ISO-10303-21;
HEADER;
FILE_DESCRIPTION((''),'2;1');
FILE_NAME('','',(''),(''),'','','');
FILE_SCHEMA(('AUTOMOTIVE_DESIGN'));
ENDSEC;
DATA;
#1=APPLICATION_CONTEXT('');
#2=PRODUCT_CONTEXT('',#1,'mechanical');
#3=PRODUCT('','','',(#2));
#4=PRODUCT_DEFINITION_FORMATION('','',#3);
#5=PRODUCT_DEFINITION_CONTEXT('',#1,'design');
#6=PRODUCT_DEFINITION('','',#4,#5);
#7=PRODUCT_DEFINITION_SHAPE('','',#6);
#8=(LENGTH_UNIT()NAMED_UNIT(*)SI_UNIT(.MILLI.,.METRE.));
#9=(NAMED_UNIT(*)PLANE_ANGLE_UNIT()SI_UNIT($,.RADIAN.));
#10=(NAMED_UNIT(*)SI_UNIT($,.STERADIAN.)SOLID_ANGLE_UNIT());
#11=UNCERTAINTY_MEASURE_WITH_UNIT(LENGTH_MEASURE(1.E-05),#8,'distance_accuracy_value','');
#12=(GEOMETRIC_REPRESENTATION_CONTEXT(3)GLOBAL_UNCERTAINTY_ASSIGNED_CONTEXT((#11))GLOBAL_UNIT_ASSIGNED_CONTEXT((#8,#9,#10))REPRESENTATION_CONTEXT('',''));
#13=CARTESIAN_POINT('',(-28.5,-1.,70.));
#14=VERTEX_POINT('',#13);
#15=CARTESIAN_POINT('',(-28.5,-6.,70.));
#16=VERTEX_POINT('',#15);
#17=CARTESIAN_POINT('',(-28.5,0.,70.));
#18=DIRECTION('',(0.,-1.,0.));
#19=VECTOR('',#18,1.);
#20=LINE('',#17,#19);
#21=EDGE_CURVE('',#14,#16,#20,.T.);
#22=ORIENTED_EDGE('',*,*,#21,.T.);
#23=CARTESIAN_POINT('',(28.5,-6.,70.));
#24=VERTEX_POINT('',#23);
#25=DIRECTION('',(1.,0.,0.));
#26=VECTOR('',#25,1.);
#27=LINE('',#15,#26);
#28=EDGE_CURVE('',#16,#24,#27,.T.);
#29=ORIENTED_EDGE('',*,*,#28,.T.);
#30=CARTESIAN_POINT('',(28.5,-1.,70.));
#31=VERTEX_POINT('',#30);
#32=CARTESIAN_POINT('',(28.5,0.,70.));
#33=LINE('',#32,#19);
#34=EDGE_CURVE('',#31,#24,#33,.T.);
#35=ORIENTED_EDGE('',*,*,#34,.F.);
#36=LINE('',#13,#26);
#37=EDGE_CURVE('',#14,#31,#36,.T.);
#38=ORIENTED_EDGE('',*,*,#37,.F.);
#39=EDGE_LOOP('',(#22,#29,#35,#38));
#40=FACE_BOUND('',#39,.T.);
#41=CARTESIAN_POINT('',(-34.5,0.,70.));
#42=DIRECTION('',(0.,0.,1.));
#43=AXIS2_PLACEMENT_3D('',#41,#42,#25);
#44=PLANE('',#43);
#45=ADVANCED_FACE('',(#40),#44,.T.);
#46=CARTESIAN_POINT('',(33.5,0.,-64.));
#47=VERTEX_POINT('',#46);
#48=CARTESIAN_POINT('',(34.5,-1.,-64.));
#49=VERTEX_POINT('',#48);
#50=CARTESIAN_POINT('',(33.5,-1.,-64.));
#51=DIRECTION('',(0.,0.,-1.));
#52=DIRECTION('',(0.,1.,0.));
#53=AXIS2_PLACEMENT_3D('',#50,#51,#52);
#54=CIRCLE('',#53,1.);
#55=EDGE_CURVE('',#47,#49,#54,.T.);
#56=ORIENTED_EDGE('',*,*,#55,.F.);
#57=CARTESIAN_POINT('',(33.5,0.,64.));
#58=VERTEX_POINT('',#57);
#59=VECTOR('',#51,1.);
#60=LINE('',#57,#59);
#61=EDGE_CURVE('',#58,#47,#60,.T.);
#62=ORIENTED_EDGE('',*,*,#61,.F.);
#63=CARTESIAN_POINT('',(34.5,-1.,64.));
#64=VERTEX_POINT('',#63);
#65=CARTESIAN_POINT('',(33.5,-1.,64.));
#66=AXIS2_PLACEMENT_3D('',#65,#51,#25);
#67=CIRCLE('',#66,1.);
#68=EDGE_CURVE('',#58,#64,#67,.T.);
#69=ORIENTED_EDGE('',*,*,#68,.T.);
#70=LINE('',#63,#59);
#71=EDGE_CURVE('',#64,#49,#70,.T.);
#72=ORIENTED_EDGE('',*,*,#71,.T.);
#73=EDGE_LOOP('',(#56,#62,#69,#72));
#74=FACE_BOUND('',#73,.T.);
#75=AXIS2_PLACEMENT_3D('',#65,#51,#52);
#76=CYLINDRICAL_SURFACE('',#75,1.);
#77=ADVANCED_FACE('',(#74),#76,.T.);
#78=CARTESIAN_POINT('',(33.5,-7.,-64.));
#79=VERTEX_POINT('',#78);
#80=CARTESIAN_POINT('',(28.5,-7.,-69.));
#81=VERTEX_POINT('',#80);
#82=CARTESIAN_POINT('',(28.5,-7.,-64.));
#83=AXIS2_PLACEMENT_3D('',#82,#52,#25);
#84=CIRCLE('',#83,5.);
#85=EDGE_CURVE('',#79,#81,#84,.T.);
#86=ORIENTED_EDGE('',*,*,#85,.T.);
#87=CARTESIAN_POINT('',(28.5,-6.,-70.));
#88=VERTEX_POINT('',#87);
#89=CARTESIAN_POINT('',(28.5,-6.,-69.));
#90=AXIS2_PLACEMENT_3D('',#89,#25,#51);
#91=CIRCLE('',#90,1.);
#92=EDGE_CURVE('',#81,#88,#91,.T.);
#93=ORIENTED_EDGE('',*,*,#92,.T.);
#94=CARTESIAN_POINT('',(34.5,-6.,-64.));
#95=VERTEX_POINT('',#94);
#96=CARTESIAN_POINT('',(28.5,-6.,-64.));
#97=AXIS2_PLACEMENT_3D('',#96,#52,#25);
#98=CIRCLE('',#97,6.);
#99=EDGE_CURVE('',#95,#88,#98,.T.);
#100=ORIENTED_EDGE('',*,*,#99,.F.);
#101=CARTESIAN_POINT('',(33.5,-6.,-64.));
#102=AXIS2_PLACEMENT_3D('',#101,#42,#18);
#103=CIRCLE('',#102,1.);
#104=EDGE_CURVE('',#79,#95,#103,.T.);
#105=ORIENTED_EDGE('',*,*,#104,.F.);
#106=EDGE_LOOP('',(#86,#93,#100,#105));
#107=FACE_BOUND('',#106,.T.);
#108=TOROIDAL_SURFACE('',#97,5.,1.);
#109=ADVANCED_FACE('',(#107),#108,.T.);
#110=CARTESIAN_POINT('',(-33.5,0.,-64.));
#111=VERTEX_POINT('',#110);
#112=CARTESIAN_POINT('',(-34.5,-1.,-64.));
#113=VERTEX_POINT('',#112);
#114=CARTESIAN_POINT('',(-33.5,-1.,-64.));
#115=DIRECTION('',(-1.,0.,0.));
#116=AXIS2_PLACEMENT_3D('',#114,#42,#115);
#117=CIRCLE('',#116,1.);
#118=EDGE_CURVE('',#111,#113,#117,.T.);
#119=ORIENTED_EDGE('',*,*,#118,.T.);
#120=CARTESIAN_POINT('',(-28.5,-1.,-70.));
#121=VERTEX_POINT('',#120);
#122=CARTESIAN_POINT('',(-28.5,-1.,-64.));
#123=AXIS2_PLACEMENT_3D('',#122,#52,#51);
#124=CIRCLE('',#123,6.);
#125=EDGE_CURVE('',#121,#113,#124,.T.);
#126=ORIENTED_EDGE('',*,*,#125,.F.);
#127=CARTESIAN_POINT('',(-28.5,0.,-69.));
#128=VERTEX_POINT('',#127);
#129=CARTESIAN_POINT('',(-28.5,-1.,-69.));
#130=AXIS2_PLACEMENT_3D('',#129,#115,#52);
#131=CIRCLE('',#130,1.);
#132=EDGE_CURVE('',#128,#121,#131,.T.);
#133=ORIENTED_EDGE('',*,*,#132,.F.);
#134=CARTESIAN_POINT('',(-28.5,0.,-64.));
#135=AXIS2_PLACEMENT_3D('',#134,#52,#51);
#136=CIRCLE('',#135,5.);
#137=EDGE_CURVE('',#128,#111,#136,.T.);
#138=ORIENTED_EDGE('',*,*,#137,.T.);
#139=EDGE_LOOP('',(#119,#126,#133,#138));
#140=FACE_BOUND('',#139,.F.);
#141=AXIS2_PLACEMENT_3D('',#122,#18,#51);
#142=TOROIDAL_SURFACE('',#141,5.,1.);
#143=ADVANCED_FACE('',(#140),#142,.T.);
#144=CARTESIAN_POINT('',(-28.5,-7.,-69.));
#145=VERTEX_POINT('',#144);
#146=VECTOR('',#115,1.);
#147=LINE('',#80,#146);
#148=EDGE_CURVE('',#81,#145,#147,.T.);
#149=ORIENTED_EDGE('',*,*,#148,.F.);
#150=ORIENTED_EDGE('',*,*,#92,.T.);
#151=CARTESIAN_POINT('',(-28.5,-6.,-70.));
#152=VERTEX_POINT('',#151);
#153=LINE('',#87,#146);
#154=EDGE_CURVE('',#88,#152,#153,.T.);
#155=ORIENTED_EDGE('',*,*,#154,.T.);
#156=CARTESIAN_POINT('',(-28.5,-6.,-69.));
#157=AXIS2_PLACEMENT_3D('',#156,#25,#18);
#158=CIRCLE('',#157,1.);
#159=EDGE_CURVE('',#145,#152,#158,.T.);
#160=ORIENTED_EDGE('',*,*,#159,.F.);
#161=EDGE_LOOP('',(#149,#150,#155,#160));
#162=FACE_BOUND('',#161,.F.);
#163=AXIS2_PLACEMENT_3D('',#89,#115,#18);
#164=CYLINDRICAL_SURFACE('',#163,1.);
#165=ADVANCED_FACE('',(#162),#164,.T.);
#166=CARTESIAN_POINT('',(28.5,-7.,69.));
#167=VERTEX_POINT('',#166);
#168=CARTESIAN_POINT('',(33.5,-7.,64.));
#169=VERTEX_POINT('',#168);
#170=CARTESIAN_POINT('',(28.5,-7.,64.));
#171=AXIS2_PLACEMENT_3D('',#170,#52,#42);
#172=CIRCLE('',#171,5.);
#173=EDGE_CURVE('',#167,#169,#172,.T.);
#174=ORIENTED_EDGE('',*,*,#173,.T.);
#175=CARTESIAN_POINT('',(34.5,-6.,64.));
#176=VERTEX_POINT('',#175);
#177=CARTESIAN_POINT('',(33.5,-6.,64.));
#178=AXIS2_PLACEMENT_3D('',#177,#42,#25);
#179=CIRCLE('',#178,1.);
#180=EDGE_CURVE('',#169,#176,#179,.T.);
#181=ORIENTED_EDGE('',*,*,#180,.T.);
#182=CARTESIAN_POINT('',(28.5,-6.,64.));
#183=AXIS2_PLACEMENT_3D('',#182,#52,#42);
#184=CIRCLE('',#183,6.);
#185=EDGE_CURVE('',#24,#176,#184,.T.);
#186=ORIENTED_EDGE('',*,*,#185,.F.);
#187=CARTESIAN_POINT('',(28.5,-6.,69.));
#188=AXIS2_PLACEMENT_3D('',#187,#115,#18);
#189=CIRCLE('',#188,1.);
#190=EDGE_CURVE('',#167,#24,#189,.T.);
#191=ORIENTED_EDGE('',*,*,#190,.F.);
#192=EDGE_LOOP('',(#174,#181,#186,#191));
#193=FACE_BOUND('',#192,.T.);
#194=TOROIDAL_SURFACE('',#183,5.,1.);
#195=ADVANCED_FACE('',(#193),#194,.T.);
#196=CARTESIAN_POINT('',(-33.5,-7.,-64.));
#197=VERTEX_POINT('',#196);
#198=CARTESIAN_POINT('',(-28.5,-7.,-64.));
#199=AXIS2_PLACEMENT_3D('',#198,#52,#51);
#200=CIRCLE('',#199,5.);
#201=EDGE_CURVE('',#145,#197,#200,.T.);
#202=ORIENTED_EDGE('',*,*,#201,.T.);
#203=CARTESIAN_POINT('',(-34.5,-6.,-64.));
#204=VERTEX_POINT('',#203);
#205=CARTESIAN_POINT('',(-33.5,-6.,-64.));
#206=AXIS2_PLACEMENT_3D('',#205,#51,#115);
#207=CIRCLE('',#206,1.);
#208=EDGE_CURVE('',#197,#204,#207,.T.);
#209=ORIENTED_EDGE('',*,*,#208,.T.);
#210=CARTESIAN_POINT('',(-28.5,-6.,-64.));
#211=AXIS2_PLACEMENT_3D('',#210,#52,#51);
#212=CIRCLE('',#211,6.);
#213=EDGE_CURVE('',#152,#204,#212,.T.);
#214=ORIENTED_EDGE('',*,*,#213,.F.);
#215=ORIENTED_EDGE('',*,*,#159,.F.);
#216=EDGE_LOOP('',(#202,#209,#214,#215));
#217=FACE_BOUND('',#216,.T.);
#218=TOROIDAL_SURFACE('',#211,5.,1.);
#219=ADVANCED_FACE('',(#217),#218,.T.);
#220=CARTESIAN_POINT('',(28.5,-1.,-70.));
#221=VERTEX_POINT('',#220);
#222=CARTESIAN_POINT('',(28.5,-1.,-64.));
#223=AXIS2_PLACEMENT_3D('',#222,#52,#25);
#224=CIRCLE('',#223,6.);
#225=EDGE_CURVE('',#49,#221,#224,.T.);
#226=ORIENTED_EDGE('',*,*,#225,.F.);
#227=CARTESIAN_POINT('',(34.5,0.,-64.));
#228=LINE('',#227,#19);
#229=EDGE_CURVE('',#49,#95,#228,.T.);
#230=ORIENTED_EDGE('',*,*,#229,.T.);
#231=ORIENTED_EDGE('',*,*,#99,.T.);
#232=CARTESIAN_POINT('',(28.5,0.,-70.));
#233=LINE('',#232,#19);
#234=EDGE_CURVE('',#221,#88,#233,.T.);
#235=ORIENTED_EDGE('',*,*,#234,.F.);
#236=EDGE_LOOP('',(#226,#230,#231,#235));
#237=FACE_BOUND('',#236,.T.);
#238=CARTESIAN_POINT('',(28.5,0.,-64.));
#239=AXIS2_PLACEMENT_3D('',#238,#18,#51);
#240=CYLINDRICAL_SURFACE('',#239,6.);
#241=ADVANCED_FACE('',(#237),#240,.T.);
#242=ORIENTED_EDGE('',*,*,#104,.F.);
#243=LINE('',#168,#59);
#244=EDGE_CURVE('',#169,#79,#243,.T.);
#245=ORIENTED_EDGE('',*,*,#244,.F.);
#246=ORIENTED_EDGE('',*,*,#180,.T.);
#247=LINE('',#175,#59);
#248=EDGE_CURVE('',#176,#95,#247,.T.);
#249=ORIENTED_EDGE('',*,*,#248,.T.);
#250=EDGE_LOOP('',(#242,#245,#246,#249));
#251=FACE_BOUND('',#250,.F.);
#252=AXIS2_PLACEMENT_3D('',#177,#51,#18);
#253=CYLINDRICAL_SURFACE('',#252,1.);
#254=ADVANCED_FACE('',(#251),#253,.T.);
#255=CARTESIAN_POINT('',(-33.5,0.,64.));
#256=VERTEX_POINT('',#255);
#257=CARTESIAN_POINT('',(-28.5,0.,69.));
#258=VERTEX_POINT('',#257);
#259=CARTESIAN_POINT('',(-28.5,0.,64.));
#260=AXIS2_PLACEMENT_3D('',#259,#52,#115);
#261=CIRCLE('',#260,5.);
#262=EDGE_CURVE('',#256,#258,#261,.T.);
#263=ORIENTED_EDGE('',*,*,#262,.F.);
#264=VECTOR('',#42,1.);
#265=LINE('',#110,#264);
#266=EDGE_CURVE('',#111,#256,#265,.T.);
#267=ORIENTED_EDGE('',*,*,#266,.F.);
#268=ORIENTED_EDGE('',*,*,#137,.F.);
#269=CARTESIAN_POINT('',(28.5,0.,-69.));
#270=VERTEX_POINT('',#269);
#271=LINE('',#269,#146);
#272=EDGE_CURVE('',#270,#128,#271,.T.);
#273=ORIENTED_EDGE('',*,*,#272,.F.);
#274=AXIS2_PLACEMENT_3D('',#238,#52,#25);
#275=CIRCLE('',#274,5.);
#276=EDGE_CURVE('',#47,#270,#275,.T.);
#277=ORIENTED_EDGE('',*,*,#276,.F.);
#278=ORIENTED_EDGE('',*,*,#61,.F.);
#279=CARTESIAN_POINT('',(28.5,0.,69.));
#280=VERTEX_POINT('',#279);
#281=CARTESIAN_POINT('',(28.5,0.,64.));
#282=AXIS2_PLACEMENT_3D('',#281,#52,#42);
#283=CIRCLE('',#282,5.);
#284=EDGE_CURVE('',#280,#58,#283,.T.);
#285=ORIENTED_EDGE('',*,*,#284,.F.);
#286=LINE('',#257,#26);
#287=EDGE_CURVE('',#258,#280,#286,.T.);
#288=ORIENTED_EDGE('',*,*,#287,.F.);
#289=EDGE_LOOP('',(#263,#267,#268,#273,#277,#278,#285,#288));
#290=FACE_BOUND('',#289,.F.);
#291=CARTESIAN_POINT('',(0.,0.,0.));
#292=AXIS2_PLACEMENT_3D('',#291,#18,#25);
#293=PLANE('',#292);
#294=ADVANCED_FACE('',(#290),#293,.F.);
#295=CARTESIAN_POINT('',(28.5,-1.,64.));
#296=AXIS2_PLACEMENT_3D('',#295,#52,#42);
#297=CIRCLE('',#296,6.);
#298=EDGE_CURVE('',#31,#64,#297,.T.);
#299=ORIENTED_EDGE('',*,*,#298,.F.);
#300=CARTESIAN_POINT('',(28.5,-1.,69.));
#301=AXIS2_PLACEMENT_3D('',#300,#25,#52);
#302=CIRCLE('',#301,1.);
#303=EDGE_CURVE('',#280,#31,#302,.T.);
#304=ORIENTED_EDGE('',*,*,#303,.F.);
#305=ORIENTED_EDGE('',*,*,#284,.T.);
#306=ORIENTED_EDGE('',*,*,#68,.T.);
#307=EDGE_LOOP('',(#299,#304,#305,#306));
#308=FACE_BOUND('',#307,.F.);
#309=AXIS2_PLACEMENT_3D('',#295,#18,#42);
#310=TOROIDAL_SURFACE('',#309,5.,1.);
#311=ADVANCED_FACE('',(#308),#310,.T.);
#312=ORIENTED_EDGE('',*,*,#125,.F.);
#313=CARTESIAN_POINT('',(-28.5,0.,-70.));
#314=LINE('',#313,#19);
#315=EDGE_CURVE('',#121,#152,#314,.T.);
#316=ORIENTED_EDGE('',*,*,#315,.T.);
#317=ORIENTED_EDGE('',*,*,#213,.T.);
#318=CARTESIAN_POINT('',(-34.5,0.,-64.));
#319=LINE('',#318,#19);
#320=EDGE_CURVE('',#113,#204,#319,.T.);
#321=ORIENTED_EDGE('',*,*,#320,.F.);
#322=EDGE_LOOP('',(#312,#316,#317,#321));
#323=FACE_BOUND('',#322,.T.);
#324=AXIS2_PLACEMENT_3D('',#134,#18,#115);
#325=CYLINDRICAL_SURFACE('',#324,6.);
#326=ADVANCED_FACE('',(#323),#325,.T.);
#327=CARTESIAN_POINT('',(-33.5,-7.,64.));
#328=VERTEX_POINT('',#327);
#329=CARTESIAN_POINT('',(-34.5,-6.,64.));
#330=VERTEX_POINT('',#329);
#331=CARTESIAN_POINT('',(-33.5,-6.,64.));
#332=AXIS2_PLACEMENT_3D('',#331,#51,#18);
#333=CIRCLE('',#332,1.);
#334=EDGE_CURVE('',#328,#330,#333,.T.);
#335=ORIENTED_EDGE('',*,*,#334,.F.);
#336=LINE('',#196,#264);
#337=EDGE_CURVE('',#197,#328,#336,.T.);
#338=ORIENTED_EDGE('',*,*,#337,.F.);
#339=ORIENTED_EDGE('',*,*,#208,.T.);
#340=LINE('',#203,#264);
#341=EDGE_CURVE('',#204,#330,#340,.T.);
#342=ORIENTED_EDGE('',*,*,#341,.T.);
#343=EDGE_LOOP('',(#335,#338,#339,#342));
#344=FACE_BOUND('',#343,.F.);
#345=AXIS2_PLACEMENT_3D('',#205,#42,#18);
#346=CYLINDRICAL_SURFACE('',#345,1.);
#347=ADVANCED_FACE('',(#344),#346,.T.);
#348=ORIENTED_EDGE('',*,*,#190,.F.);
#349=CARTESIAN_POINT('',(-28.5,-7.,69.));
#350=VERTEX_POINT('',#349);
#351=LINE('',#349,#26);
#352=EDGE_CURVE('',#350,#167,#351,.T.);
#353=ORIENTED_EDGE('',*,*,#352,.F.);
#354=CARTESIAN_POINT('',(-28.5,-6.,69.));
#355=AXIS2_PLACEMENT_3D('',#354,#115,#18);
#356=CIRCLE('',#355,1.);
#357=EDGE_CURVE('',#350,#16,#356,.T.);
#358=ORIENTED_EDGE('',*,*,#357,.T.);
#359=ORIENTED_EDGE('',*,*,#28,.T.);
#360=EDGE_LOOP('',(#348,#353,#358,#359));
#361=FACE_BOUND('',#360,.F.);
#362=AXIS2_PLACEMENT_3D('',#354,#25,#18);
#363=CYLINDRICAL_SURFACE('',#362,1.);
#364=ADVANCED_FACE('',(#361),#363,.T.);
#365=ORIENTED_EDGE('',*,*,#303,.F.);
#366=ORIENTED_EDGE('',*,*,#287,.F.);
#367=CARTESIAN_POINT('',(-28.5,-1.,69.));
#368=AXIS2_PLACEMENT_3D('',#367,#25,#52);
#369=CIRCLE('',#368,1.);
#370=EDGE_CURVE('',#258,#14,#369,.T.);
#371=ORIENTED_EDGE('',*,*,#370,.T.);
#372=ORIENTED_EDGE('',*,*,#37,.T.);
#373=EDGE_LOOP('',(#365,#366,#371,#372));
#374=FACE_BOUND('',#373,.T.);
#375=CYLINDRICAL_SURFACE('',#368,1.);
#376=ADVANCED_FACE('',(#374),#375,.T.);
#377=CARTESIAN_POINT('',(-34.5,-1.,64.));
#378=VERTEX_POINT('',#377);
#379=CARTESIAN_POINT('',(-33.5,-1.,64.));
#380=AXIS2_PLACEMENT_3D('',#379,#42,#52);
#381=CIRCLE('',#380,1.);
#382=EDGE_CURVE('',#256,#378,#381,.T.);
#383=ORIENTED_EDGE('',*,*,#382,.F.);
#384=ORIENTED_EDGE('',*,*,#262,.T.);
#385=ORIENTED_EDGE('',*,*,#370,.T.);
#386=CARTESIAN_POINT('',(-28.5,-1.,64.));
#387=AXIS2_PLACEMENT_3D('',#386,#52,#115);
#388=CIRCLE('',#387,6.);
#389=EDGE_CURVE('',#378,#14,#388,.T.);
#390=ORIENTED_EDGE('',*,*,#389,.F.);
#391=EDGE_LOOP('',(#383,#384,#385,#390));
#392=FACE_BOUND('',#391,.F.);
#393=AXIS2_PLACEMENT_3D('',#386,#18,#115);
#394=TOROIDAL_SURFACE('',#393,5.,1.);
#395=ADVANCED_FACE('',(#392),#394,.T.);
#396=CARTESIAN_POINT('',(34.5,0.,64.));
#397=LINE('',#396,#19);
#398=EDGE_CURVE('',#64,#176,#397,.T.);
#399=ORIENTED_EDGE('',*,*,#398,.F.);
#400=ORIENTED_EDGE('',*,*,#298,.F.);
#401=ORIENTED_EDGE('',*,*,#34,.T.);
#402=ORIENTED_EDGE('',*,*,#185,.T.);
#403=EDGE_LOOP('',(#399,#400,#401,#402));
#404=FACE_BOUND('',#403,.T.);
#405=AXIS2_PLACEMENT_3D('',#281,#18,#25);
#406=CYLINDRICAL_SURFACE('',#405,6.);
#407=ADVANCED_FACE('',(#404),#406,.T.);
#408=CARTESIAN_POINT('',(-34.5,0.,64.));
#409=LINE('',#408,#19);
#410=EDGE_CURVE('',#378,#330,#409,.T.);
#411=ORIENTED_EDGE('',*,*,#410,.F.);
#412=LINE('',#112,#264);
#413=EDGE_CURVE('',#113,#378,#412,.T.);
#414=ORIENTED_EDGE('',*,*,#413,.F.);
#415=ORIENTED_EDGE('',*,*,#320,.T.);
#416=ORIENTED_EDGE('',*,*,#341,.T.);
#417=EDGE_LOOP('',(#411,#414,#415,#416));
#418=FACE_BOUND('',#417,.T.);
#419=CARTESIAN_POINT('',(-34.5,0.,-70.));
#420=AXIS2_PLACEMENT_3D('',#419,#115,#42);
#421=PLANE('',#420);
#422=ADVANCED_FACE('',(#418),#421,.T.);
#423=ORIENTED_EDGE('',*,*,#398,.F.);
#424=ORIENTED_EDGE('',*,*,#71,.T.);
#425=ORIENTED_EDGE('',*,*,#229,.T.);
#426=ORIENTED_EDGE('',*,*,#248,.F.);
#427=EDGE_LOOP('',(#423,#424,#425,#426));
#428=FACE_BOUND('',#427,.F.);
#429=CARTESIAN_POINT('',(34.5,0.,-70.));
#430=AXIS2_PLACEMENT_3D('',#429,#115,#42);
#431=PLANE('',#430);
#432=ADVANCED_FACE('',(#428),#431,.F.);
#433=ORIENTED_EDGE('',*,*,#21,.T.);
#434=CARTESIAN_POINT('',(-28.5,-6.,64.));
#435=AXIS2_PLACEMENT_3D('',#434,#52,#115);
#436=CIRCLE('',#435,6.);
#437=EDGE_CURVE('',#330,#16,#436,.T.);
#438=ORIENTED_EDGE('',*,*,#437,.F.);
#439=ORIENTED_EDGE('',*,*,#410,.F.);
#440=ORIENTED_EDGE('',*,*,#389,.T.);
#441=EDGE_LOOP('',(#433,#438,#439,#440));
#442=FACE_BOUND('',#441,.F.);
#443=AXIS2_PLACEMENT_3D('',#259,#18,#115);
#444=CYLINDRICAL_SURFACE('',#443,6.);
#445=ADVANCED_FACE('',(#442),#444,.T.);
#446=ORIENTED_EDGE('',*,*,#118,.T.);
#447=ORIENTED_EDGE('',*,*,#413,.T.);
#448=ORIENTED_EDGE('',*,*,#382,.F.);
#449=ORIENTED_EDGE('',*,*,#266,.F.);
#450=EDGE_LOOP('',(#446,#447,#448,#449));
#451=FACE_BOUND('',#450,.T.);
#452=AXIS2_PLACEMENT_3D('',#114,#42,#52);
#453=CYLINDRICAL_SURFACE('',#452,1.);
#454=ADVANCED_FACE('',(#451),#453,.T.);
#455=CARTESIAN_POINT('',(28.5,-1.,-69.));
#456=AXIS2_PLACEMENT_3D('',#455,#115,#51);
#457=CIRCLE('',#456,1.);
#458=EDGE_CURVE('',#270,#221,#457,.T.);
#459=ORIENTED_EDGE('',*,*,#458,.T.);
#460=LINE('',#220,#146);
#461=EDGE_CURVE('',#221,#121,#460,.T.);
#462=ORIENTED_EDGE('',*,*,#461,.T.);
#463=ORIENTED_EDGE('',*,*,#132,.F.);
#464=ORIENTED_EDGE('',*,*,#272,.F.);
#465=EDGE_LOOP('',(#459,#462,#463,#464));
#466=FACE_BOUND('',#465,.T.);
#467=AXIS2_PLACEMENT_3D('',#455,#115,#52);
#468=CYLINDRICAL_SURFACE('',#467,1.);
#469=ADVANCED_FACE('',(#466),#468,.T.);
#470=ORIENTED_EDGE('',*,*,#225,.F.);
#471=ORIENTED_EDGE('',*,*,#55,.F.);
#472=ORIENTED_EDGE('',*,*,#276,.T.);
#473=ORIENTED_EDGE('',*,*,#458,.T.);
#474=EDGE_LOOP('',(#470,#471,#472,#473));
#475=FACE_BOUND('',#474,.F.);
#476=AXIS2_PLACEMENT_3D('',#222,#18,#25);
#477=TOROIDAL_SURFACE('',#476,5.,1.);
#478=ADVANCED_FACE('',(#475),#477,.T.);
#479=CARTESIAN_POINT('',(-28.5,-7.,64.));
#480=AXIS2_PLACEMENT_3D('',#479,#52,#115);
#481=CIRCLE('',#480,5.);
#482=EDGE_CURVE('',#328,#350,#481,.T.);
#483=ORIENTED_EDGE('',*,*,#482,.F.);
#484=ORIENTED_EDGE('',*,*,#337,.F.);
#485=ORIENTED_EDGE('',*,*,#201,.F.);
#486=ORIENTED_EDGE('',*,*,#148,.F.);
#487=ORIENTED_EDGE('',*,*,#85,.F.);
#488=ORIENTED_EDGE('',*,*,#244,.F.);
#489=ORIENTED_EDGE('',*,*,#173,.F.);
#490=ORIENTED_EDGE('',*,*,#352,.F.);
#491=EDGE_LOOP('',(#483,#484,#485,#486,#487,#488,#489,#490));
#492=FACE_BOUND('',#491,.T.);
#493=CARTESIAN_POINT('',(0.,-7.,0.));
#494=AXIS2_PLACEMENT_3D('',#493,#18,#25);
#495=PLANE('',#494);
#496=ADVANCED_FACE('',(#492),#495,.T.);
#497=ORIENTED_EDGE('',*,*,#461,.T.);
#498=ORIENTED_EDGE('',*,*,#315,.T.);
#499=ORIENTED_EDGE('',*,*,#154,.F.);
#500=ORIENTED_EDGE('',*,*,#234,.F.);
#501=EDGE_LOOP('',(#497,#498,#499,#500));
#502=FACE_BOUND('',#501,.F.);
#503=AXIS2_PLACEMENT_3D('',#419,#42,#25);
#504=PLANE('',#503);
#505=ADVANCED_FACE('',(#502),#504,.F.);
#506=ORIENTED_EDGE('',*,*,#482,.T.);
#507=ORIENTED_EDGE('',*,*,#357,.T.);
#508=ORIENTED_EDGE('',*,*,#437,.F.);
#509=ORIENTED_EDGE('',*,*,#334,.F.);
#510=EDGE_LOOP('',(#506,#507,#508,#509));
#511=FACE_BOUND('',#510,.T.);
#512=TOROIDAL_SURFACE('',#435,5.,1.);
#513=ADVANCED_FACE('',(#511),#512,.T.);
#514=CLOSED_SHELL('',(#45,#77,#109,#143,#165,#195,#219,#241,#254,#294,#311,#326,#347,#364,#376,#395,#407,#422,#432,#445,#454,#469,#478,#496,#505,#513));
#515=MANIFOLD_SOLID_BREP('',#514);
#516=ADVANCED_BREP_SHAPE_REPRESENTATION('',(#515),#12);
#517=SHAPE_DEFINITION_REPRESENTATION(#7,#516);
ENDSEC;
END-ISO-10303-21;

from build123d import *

# Parameters (mm, degrees)
F0_W     = 69
F0_H     = 140
F1_DEPTH = 7
F2_R     = 6
F3_R     = 1


with BuildPart() as f1:
    # F0 (on Front) → F1 (new body)
    with BuildSketch(Plane.XZ):
        Rectangle(F0_W, F0_H)
    extrude(amount=F1_DEPTH)

    # F2
    f2_edges = [f1.edges().sort_by_distance(p)[0] for p in [
        (34.5, -3.5, 70),
        (-34.5, -3.5, 70),
        (34.5, -3.5, -70),
        (-34.5, -3.5, -70),
    ]]
    fillet(f2_edges, radius=F2_R)

    # F3
    f3_edges = [f1.edges().sort_by_distance(p)[0] for p in [
        (0, -7, 70),
        (0, 0, 70),
    ]]
    fillet(f3_edges, radius=F3_R)


solid = f1.part
